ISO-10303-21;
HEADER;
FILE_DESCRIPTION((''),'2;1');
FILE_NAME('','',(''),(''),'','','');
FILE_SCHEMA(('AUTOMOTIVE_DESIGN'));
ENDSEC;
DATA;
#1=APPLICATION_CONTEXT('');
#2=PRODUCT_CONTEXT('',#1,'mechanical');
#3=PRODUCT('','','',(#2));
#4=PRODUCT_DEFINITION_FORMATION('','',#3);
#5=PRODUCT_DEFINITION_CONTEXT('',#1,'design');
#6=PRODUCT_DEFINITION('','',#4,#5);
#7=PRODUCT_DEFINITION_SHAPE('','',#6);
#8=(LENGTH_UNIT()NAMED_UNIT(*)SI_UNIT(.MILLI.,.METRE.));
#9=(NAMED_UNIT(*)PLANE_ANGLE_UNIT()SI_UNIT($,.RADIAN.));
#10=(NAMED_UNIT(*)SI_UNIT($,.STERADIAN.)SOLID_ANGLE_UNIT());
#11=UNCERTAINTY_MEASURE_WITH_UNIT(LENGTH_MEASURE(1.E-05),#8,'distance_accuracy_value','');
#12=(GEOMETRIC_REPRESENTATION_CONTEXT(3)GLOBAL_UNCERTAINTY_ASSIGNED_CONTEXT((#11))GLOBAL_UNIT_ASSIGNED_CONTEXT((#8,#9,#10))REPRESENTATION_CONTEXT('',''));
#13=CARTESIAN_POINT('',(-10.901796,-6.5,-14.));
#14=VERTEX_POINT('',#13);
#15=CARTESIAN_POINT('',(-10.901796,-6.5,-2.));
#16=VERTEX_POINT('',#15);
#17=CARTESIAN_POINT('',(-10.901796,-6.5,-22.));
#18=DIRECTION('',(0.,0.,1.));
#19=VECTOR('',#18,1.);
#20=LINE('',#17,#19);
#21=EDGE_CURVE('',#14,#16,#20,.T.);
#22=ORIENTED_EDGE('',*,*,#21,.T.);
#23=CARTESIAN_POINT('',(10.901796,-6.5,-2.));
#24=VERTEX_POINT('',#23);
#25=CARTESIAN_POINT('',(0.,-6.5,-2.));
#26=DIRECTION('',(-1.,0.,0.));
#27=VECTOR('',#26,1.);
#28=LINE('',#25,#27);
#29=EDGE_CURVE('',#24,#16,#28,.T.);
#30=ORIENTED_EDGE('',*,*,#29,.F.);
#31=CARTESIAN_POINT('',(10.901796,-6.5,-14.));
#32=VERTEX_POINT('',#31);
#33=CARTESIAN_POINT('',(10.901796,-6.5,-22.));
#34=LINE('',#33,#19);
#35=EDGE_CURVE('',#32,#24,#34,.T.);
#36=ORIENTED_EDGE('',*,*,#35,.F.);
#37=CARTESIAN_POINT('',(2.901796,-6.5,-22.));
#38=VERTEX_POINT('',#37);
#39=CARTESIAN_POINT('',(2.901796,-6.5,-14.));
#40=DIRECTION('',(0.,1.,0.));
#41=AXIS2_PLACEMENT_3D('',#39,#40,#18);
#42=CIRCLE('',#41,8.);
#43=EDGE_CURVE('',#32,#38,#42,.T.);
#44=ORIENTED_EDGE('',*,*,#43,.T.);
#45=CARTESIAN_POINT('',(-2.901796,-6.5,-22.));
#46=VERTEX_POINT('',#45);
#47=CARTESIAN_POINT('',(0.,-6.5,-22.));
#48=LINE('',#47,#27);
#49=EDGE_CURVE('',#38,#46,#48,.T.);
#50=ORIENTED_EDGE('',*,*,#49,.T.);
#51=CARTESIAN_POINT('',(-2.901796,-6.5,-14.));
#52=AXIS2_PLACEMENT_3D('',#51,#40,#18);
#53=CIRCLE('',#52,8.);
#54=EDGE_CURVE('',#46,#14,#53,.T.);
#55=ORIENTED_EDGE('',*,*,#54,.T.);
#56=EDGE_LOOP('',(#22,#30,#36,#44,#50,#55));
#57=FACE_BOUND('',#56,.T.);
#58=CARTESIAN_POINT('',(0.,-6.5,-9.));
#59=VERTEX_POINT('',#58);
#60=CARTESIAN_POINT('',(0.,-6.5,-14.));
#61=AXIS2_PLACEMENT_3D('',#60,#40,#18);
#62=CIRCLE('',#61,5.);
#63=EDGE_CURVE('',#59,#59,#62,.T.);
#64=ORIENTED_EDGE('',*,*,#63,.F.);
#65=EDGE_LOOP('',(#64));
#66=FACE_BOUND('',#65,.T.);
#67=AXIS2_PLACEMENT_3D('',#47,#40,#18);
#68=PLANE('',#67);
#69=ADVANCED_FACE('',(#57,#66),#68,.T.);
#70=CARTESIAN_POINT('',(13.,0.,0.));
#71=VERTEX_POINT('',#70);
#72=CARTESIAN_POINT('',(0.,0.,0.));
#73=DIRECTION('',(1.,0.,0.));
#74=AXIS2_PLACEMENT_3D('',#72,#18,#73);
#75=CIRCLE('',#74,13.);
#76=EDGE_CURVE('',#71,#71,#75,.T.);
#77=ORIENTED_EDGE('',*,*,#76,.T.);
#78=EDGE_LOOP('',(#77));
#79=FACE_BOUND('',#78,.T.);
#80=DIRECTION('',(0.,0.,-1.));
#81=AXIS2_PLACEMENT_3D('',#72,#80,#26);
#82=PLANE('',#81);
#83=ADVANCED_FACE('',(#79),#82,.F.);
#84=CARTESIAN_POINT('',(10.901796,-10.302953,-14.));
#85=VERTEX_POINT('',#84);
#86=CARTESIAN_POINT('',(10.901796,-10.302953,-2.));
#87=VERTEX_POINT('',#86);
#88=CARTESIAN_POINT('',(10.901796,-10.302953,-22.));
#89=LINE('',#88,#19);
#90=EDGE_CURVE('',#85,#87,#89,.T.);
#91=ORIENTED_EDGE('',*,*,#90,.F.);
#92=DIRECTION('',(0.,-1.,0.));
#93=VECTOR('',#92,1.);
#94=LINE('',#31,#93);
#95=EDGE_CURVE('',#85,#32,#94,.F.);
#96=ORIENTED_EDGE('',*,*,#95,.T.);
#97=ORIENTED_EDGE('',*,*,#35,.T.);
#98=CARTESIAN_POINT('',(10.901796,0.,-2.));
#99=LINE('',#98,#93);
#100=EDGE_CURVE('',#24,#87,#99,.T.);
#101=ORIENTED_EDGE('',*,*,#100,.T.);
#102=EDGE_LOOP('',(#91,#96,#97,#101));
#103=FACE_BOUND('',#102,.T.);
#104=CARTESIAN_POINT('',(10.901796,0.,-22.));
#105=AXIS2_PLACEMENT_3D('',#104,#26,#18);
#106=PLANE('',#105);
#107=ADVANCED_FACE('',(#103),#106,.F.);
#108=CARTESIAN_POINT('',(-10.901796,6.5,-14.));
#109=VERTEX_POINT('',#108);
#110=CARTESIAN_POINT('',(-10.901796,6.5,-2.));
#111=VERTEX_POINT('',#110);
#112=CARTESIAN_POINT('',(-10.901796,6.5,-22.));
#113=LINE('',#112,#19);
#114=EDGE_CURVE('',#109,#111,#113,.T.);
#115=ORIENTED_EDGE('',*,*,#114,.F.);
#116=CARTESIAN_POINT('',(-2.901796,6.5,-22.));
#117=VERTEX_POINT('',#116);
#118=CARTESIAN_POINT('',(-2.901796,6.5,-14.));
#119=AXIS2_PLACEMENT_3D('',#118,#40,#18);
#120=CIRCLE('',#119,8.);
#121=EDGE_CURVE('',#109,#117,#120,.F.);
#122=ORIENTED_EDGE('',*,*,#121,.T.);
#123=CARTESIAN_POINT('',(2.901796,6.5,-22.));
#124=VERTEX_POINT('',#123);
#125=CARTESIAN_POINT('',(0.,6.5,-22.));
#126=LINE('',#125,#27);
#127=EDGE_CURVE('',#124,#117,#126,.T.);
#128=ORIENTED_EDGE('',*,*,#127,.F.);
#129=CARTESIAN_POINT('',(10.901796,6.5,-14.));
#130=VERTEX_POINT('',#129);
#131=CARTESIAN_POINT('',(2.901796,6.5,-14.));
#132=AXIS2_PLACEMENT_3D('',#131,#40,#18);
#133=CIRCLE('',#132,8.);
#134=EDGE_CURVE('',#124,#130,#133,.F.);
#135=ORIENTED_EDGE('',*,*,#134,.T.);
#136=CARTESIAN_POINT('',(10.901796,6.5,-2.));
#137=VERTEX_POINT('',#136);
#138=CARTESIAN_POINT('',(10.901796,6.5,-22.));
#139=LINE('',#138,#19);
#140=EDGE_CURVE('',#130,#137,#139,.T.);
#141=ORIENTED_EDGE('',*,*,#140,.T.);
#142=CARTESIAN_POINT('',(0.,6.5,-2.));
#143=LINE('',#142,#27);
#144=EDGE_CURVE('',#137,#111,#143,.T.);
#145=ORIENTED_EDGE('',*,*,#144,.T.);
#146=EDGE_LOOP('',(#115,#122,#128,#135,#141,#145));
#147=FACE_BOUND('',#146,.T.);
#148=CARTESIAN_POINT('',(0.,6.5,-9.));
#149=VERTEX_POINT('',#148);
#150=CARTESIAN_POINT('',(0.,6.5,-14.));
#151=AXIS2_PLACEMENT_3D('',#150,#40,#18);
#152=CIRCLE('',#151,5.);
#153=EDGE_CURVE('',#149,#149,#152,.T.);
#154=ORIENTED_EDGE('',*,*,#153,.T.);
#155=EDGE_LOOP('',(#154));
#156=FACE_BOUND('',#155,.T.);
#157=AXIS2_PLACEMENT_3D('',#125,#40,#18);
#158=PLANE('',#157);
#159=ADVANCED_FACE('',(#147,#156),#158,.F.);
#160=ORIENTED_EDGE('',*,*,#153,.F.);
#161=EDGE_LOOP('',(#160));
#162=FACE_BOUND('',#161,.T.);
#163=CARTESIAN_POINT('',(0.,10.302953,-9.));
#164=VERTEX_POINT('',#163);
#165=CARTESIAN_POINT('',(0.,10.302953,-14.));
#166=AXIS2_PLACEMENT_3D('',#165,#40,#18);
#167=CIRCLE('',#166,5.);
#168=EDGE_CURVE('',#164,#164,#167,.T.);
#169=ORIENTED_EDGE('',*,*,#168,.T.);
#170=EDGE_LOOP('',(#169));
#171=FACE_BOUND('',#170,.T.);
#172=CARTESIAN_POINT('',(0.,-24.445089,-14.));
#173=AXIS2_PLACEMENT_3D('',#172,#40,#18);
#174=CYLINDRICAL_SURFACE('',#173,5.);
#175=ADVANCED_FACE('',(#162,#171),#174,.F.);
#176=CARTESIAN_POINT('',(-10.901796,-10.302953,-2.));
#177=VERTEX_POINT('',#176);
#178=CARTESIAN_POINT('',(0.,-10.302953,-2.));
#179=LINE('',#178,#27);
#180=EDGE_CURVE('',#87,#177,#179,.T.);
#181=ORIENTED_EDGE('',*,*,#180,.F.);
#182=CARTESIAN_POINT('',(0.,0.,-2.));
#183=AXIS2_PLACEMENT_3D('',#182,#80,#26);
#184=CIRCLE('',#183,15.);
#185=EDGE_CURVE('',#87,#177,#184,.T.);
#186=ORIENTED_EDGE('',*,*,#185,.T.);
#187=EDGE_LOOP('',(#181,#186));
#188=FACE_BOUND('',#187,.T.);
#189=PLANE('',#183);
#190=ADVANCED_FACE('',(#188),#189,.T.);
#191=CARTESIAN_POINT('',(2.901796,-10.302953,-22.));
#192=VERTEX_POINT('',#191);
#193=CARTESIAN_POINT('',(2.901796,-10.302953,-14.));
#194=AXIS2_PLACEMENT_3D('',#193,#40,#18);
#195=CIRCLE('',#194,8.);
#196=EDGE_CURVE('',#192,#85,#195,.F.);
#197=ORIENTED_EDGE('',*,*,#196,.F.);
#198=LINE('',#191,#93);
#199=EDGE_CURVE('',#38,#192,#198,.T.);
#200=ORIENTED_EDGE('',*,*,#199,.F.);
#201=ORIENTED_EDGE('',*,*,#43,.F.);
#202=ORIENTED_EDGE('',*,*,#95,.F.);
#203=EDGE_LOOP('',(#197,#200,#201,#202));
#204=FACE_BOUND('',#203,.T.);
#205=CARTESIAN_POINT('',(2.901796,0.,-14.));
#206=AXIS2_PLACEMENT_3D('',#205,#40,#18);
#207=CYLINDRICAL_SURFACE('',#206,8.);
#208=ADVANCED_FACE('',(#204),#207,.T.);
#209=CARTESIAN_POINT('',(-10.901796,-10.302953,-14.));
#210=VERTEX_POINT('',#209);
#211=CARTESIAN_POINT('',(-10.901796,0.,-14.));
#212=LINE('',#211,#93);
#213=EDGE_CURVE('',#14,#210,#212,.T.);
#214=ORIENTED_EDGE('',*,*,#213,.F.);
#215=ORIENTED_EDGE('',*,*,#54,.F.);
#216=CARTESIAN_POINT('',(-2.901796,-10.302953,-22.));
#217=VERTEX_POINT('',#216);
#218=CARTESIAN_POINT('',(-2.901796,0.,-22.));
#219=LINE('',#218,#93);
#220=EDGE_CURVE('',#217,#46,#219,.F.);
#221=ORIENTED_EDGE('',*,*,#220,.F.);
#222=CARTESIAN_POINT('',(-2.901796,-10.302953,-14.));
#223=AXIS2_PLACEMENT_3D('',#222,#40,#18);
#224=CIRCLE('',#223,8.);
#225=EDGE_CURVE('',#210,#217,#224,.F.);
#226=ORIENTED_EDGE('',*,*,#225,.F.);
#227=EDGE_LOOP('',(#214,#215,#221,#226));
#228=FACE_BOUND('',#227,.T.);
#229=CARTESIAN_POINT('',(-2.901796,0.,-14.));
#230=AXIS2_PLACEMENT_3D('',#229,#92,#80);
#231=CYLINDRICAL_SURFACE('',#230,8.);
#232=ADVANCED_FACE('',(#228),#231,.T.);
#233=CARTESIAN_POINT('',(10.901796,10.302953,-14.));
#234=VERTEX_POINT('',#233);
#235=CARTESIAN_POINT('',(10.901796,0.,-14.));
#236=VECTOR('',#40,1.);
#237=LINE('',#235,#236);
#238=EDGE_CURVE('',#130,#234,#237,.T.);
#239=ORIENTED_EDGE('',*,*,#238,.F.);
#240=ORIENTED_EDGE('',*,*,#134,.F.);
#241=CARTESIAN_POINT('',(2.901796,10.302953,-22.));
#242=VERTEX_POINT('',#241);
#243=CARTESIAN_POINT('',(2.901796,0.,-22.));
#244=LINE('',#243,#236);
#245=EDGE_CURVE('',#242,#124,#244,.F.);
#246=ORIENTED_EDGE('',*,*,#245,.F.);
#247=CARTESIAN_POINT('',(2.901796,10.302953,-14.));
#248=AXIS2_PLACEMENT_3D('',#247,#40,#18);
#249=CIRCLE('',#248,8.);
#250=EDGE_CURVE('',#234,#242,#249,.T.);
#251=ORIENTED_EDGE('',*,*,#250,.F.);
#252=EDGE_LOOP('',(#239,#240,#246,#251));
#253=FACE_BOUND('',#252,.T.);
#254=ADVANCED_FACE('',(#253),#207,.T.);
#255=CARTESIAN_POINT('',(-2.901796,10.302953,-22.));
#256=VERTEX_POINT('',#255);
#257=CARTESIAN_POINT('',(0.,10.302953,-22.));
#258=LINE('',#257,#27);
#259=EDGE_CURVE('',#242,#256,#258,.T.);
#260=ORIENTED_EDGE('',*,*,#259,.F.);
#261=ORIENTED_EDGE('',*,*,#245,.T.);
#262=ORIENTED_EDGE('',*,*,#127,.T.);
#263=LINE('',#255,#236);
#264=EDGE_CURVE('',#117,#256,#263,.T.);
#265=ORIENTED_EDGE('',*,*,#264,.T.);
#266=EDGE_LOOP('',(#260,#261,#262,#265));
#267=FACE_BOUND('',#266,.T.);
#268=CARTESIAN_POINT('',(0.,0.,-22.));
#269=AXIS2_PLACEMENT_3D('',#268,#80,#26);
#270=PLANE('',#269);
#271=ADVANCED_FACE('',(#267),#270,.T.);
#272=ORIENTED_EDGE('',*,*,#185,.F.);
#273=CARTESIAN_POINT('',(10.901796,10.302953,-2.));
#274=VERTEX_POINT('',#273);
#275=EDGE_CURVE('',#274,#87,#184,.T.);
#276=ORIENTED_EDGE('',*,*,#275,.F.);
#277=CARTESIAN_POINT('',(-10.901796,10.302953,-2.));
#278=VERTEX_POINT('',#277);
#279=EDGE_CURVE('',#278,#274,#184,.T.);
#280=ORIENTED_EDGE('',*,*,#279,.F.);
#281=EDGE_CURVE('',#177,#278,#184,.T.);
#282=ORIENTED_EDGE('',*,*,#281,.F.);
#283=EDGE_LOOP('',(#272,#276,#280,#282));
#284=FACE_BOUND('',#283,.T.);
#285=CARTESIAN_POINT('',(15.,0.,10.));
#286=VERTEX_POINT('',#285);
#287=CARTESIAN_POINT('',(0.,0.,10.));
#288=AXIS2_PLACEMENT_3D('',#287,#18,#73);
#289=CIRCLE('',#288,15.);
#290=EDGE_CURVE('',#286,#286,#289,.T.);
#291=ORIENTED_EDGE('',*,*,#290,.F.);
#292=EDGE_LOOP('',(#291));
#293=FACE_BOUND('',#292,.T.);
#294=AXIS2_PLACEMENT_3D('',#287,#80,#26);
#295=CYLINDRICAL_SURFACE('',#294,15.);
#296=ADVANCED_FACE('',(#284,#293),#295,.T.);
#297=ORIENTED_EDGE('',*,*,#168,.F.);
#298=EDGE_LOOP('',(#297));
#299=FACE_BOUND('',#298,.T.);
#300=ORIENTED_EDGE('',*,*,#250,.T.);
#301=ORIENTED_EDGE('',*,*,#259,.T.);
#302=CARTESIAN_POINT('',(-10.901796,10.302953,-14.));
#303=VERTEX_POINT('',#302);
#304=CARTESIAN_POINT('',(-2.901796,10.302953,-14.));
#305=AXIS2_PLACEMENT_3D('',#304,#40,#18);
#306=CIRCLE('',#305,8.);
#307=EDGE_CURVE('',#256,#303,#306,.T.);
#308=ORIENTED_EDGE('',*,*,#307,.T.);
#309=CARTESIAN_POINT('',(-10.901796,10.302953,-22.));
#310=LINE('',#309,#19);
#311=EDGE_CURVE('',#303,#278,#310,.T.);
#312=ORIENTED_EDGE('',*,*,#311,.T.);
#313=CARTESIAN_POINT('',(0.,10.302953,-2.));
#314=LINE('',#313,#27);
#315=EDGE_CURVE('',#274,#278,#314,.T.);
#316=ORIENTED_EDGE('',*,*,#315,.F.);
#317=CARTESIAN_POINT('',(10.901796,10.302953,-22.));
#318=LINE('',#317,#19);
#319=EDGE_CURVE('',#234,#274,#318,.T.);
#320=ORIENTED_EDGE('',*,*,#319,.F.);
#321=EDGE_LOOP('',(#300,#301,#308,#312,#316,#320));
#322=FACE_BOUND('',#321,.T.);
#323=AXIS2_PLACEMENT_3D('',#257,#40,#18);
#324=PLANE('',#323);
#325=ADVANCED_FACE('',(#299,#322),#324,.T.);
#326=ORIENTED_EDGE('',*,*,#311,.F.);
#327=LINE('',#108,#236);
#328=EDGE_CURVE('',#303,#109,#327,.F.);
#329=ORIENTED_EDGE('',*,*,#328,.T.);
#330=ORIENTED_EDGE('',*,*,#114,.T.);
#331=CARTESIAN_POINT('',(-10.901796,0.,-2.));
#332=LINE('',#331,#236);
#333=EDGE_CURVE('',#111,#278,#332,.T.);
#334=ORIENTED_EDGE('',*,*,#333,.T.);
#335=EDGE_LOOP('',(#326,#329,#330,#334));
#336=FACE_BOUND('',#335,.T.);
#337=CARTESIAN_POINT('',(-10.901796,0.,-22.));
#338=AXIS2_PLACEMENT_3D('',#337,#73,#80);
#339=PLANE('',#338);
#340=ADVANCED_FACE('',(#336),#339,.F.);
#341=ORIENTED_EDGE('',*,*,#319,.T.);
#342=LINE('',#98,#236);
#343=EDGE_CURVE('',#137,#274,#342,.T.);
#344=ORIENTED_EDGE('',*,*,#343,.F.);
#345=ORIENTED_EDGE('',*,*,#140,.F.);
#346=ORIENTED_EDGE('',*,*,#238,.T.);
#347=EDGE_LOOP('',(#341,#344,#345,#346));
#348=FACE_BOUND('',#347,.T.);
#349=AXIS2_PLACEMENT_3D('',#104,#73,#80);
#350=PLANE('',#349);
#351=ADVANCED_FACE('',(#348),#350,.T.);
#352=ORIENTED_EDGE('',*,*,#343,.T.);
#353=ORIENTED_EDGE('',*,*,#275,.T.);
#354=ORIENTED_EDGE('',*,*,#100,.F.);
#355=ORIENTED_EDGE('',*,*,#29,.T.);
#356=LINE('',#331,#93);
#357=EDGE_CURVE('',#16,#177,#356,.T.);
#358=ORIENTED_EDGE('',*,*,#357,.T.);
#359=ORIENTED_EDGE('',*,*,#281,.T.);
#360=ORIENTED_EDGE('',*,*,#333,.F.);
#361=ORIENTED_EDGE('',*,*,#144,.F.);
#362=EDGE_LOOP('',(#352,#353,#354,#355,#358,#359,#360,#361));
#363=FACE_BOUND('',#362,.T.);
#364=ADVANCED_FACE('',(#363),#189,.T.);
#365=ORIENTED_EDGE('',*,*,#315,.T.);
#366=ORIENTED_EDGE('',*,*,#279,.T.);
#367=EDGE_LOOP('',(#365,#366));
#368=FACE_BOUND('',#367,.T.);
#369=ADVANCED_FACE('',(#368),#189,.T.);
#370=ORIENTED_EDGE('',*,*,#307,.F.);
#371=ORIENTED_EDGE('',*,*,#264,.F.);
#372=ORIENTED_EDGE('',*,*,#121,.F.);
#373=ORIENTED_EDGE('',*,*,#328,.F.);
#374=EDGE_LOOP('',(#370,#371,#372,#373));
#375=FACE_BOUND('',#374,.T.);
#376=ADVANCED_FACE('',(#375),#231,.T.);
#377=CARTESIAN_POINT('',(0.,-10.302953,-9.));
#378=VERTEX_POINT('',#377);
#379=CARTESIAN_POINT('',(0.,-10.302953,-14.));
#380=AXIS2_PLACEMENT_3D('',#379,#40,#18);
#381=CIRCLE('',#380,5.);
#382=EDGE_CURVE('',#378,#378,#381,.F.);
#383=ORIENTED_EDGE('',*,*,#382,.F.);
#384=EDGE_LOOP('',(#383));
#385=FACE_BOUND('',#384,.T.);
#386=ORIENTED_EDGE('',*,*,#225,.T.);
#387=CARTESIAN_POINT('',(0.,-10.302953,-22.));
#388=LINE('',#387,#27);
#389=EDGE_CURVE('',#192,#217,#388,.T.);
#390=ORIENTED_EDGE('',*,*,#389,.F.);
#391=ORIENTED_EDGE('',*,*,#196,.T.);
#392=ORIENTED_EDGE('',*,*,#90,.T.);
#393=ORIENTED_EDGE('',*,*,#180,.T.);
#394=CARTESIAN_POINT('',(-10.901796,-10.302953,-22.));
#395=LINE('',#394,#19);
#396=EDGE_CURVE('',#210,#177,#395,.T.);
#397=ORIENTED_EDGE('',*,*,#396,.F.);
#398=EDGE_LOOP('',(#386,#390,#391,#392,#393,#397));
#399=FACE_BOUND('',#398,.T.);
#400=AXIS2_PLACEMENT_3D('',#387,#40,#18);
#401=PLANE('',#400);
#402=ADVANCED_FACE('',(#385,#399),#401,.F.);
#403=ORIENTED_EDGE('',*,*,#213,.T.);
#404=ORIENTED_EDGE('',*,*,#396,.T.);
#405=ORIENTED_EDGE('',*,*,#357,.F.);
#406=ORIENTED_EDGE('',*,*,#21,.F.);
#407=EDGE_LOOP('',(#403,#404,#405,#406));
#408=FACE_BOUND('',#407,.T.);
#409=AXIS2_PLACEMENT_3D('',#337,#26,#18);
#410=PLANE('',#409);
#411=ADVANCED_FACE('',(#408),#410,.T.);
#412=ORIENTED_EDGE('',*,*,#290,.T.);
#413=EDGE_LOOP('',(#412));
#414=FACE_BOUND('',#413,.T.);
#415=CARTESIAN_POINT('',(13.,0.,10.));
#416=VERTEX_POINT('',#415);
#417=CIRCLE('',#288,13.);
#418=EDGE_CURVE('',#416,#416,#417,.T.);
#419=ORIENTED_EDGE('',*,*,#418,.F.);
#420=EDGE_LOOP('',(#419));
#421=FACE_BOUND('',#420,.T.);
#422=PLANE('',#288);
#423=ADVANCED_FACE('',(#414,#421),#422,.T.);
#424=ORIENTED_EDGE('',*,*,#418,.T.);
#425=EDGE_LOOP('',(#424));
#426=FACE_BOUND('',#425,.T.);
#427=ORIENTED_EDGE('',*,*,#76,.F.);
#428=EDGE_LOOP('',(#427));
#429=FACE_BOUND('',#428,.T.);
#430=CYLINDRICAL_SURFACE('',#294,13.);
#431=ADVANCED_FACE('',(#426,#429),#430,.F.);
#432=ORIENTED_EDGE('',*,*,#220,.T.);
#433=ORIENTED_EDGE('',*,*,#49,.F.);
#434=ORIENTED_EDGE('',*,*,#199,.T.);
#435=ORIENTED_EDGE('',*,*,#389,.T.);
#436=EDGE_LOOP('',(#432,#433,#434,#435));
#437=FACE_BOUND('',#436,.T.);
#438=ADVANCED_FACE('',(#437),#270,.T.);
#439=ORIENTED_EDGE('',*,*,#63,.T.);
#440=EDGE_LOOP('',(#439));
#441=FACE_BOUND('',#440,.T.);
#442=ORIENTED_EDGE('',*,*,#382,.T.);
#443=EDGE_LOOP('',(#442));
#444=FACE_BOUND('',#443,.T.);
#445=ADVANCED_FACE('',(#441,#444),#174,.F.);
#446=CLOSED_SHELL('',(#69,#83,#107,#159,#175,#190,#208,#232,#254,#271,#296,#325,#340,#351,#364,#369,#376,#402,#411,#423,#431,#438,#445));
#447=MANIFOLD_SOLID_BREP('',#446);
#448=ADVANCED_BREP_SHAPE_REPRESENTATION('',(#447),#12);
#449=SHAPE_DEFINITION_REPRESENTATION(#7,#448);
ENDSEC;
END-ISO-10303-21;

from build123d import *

# Parameters (mm, degrees)
SKETCH1_R           = 15
SKETCH1_R_2         = 13
BOSS_EXTRUDE1_DEPTH = 10
SKETCH1_2_R         = 15
SKETCH1_2_R_2       = 13
BOSS_EXTRUDE2_DEPTH = 10
BOSS_EXTRUDE3_START = 2
SKETCH2_R           = 15
BOSS_EXTRUDE3_DEPTH = 2
SKETCH3_W           = 21.803591486
SKETCH3_H           = 3.802953439
BOSS_EXTRUDE4_DEPTH = 20
FILLET1_R           = 8
CUT_EXTRUDE1_REACH  = 38.732
SKETCH4_R           = 5


with BuildPart() as part:
    # Sketch1 → Boss-Extrude1 (new body)
    with BuildSketch(Plane.XY):
        Circle(SKETCH1_R)
        Circle(SKETCH1_R_2, mode=Mode.SUBTRACT)
    extrude(amount=BOSS_EXTRUDE1_DEPTH)

    # Sketch1<2> → Boss-Extrude2 (add)
    with BuildSketch(Plane.XY):
        Circle(SKETCH1_2_R)
        Circle(SKETCH1_2_R_2, mode=Mode.SUBTRACT)
    extrude(amount=BOSS_EXTRUDE2_DEPTH)

    # Sketch2 → Boss-Extrude3 (add)
    with BuildSketch(Plane(origin=(0, 0, 0), x_dir=(-1, 0, 0), z_dir=(0, 0, -1)).offset(BOSS_EXTRUDE3_START)):
        Circle(SKETCH2_R)
    extrude(amount=-BOSS_EXTRUDE3_DEPTH)

    # Sketch3 → Boss-Extrude4 (add)
    with BuildSketch(Plane(origin=(0, 0, -2), x_dir=(-1, 0, 0), z_dir=(0, 0, -1))):
        with Locations((0, -8.401476719)):
            Rectangle(SKETCH3_W, SKETCH3_H)
        with Locations((0, 8.401476719)):
            Rectangle(SKETCH3_W, SKETCH3_H)
    extrude(amount=BOSS_EXTRUDE4_DEPTH)

    # Fillet1
    fillet1_edges = [part.edges().sort_by_distance(p)[0] for p in [
        (-10.901795743, -8.40147672, -22),
        (10.901795743, -8.40147672, -22),
        (10.901795743, 8.40147672, -22),
        (-10.901795743, 8.40147672, -22),
    ]]
    fillet(fillet1_edges, radius=FILLET1_R)

    # Cut-Extrude1: up to this face of the body (flat: up to its plane)
    cut_extrude1_end = Plane(part.part.faces().sort_by_distance((0, -10.302953439, -11.447862962))[0])
    # Sketch4 → Cut-Extrude1 (cut, up to the picked face)
    with BuildSketch(Plane(origin=(0, 10.302953439, 0), x_dir=(1, 0, 0), z_dir=(0, 1, 0)), mode=Mode.PRIVATE) as cut_extrude1_sk1:
        with Locations(Location((0, 14, 0), (0, 0, 270))):
            Circle(SKETCH4_R)
    cut_extrude1_tool1 = split(extrude(cut_extrude1_sk1.sketch, amount=-CUT_EXTRUDE1_REACH, mode=Mode.PRIVATE), bisect_by=cut_extrude1_end, keep=Keep.BOTH, mode=Mode.PRIVATE)
    add(cut_extrude1_tool1.solids().sort_by(Axis((0, 10.302953, -14), (0, -1, 0)))[0], mode=Mode.SUBTRACT)


solid = part.part
